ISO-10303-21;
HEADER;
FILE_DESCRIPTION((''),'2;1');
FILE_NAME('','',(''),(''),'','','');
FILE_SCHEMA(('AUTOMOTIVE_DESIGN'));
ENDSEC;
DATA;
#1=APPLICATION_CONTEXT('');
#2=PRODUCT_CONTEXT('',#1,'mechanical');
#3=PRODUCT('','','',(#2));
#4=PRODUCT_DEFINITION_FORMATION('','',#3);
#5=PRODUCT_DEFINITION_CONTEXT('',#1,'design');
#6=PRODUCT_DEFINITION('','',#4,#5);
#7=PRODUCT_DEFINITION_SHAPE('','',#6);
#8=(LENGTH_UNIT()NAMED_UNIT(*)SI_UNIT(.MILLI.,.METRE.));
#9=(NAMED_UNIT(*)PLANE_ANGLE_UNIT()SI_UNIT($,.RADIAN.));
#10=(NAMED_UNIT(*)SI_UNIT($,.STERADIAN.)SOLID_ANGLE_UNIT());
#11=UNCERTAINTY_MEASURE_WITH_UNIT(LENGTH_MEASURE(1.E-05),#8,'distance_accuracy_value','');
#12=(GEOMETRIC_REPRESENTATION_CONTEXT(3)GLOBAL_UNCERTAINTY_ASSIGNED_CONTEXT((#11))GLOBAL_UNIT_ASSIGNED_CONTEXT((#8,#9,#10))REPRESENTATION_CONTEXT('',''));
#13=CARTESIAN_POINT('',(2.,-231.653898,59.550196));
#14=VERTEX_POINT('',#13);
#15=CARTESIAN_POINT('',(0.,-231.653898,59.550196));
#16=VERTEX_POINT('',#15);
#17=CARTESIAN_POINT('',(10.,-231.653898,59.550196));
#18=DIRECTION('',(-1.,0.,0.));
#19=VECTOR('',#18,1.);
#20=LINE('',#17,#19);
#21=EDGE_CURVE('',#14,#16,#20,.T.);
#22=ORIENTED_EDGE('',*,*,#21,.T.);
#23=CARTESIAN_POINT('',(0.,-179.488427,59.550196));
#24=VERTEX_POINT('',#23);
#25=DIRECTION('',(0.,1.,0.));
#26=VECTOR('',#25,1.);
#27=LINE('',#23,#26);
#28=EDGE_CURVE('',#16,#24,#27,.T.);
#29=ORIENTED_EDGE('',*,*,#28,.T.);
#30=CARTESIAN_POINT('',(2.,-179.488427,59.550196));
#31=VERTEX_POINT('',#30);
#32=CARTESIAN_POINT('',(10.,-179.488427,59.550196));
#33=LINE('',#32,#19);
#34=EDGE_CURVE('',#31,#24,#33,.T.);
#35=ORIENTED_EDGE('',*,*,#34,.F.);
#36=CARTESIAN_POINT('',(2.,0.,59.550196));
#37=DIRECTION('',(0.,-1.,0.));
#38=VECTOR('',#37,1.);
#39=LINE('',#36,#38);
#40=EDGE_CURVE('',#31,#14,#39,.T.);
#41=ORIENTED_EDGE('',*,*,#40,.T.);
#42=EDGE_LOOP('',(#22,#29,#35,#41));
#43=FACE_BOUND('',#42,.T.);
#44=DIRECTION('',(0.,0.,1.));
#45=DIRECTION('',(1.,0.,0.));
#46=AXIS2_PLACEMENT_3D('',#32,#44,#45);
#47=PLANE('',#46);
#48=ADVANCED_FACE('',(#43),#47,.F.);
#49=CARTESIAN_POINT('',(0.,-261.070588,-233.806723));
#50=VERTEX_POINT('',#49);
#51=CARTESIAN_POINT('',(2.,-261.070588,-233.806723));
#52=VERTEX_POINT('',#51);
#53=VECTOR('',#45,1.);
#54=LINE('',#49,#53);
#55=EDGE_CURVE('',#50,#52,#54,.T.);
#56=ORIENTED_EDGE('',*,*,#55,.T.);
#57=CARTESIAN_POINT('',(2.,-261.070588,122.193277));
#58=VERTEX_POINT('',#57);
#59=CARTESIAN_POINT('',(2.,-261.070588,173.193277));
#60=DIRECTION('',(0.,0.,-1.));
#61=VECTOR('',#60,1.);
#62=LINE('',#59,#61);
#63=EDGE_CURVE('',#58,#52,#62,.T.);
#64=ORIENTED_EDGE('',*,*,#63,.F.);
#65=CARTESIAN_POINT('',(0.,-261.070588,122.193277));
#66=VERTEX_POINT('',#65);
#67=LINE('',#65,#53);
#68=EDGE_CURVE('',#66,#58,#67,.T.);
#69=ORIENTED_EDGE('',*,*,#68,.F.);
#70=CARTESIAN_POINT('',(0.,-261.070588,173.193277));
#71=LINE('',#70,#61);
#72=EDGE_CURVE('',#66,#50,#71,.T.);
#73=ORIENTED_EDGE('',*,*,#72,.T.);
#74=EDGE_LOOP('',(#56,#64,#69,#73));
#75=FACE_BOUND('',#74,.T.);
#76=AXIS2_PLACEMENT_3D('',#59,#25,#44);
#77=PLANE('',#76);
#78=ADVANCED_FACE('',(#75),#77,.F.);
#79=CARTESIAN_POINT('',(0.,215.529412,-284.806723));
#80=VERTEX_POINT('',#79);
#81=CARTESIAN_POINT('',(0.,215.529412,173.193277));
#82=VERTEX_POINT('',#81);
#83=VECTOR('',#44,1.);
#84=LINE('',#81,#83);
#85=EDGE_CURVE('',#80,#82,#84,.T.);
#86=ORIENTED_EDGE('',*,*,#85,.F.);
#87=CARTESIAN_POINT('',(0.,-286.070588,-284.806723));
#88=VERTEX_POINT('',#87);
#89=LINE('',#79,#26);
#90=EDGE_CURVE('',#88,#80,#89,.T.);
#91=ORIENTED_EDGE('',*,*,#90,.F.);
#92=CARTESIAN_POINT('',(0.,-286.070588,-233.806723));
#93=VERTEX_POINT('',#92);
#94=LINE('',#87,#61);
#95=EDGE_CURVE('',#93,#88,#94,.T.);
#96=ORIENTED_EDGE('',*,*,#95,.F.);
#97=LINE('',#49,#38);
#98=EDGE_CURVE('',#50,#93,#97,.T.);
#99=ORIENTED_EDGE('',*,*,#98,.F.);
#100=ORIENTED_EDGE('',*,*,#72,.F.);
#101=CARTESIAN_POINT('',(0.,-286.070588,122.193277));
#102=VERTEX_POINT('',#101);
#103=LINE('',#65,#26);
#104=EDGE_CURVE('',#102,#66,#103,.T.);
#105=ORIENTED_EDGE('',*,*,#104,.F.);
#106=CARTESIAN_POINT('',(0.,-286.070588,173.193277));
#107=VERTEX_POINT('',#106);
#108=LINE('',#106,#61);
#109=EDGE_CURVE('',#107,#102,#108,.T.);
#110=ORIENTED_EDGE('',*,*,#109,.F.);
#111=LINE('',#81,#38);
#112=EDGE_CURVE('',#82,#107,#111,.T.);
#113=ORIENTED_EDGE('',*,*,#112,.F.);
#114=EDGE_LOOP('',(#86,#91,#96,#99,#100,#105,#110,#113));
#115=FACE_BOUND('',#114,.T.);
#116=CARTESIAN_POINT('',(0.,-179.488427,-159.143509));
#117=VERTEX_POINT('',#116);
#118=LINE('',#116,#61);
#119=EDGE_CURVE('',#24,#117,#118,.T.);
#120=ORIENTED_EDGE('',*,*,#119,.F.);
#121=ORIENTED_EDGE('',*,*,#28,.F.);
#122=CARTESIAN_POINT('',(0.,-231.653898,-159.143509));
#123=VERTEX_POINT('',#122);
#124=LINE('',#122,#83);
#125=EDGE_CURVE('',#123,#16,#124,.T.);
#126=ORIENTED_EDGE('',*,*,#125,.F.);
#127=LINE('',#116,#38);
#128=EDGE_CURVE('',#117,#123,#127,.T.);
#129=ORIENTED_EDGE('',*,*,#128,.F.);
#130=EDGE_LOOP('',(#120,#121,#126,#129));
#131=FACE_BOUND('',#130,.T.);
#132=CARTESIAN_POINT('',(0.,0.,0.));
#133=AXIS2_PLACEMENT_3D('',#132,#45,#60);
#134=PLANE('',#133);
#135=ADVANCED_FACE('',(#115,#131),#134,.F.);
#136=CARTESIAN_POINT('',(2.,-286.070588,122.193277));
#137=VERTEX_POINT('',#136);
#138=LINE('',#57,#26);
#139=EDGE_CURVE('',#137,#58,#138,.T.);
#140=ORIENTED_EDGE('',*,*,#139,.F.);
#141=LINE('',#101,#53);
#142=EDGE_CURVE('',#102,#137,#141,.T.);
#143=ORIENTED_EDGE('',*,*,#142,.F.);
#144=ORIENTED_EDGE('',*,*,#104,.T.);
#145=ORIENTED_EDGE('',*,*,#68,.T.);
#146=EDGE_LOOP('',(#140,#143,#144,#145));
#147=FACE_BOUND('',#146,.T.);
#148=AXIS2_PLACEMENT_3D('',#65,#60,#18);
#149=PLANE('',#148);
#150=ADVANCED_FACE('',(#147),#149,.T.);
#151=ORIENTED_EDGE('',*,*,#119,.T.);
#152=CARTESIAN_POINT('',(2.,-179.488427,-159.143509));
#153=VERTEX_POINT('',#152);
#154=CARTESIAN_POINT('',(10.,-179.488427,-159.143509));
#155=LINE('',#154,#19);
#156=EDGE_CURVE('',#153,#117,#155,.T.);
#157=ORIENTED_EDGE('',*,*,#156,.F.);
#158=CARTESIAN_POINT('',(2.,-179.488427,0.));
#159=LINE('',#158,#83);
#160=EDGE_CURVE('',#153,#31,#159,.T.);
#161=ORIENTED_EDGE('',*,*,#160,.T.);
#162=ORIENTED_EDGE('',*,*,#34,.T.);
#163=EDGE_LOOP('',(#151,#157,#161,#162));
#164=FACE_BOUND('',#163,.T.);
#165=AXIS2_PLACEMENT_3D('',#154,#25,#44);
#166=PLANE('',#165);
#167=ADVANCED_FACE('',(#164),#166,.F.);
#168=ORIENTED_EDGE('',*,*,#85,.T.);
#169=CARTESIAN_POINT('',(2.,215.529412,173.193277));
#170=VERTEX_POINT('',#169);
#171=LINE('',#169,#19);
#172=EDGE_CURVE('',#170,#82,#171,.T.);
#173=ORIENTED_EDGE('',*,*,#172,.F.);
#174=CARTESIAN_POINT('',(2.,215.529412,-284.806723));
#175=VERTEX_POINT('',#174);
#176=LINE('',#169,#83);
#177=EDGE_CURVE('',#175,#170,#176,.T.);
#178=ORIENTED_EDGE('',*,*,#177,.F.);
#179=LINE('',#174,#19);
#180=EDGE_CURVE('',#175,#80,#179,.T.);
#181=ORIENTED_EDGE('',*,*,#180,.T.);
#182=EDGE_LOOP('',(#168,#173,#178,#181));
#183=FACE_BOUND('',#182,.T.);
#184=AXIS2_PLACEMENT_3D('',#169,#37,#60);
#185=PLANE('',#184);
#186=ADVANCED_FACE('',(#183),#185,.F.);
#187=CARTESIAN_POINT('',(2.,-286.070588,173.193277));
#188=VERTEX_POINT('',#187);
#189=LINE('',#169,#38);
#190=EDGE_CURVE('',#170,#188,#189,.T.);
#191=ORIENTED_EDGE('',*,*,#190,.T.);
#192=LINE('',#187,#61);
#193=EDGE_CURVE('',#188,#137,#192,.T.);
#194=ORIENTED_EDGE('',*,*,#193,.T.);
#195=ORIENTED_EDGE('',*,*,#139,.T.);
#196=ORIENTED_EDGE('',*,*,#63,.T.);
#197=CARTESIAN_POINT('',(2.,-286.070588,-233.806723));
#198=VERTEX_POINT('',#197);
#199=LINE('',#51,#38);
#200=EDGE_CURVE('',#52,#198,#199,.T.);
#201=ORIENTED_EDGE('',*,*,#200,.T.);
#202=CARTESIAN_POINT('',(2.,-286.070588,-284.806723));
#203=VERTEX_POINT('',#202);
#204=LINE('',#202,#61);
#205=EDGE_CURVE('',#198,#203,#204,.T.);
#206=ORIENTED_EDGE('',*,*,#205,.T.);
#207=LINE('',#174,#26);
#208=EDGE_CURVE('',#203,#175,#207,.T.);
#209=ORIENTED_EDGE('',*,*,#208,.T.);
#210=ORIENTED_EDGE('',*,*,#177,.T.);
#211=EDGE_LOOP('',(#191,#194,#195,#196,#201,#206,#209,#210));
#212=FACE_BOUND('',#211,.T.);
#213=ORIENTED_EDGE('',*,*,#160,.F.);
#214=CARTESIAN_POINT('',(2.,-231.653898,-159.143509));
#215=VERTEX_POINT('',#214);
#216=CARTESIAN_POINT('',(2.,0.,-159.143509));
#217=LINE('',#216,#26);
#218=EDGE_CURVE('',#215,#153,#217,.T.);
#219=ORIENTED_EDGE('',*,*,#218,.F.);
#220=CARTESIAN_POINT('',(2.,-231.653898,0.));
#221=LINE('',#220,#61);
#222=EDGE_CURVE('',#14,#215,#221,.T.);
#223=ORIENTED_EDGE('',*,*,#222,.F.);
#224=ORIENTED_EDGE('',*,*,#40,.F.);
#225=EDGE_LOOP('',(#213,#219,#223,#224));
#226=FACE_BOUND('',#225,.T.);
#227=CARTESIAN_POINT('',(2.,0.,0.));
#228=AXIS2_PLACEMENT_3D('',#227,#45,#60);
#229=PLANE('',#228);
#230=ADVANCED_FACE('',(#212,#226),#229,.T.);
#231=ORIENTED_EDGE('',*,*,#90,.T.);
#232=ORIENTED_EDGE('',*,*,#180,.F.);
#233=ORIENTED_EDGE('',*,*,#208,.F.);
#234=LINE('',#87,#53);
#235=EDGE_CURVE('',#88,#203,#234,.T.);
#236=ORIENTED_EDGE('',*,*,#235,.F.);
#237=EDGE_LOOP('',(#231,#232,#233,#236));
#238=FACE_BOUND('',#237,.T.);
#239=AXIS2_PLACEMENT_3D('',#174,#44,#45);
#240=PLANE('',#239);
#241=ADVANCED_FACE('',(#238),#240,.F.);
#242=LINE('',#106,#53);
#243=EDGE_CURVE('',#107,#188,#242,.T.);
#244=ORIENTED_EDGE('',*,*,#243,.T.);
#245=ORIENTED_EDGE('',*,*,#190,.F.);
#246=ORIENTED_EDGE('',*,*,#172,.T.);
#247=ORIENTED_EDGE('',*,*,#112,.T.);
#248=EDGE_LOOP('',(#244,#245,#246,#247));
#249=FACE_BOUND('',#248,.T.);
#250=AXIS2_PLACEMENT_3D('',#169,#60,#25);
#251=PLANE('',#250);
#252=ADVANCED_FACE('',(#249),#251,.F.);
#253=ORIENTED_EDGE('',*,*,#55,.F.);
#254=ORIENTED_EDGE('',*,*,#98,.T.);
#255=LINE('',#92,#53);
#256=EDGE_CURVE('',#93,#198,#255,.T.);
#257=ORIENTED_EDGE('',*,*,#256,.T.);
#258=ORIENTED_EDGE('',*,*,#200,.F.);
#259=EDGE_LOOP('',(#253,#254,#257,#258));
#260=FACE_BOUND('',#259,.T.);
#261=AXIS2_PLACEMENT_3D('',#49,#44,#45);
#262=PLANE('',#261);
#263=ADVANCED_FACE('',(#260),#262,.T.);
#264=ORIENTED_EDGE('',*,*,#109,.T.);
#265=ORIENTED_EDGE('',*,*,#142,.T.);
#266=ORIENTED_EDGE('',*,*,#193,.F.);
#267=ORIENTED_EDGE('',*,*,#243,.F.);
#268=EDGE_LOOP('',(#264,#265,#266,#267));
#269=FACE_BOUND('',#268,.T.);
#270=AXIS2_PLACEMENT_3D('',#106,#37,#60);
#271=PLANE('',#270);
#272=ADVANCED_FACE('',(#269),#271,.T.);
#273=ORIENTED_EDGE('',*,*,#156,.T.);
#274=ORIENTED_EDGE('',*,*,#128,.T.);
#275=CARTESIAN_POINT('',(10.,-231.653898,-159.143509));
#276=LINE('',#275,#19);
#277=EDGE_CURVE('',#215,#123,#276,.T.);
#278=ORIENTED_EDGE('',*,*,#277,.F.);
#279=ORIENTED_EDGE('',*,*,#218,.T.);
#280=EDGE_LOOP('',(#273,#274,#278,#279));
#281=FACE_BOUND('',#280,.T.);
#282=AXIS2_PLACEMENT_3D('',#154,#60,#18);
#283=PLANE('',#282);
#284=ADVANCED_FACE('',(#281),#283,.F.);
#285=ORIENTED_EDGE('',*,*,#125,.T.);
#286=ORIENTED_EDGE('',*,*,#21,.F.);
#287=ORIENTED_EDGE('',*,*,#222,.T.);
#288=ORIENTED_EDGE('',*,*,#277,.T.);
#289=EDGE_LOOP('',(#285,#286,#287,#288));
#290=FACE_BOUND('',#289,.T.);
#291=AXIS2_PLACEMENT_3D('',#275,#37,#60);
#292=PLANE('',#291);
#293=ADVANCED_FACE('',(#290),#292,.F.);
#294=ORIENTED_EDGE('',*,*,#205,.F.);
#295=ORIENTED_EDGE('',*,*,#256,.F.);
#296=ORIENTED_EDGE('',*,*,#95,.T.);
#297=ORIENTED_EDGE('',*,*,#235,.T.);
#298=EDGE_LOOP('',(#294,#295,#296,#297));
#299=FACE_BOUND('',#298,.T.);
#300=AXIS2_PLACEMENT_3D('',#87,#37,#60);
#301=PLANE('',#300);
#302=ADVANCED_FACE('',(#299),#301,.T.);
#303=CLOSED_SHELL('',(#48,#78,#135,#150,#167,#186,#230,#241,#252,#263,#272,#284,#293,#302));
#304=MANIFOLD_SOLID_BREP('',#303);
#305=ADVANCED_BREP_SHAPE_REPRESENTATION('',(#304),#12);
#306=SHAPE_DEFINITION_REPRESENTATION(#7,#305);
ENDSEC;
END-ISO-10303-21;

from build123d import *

# Parameters (mm, degrees)
SKETCH1_W           = 458
SKETCH1_H           = 476.6
BOSS_EXTRUDE1_DEPTH = 2
SKETCH2_W           = 51
SKETCH2_H           = 25
BOSS_EXTRUDE2_DEPTH = 2
SKETCH3_W           = 218.693705359
SKETCH3_H           = 52.165471003
CUT_EXTRUDE1_DEPTH  = 10


with BuildPart() as part:
    # Sketch1 → Boss-Extrude1 (new body)
    with BuildSketch(Plane(origin=(0, 0, 0), x_dir=(0, 0, -1), z_dir=(1, 0, 0))):
        with Locations((55.806722689, -22.770588235)):
            Rectangle(SKETCH1_W, SKETCH1_H)
    extrude(amount=BOSS_EXTRUDE1_DEPTH)

    # Sketch2 → Boss-Extrude2 (add)
    with BuildSketch(Plane(origin=(2, 0, 0), x_dir=(0, 0, -1), z_dir=(1, 0, 0))):
        with Locations((-147.693277311, -273.570588235)):
            Rectangle(SKETCH2_W, SKETCH2_H)
        with Locations((259.306722689, -273.570588235)):
            Rectangle(SKETCH2_W, SKETCH2_H)
    extrude(amount=-BOSS_EXTRUDE2_DEPTH)

    # Sketch3 → Cut-Extrude1 (cut)
    with BuildSketch(Plane.ZY):
        with Locations((-49.796656363, -205.571162235)):
            Rectangle(SKETCH3_W, SKETCH3_H)
    extrude(amount=-CUT_EXTRUDE1_DEPTH, mode=Mode.SUBTRACT)


solid = part.part
